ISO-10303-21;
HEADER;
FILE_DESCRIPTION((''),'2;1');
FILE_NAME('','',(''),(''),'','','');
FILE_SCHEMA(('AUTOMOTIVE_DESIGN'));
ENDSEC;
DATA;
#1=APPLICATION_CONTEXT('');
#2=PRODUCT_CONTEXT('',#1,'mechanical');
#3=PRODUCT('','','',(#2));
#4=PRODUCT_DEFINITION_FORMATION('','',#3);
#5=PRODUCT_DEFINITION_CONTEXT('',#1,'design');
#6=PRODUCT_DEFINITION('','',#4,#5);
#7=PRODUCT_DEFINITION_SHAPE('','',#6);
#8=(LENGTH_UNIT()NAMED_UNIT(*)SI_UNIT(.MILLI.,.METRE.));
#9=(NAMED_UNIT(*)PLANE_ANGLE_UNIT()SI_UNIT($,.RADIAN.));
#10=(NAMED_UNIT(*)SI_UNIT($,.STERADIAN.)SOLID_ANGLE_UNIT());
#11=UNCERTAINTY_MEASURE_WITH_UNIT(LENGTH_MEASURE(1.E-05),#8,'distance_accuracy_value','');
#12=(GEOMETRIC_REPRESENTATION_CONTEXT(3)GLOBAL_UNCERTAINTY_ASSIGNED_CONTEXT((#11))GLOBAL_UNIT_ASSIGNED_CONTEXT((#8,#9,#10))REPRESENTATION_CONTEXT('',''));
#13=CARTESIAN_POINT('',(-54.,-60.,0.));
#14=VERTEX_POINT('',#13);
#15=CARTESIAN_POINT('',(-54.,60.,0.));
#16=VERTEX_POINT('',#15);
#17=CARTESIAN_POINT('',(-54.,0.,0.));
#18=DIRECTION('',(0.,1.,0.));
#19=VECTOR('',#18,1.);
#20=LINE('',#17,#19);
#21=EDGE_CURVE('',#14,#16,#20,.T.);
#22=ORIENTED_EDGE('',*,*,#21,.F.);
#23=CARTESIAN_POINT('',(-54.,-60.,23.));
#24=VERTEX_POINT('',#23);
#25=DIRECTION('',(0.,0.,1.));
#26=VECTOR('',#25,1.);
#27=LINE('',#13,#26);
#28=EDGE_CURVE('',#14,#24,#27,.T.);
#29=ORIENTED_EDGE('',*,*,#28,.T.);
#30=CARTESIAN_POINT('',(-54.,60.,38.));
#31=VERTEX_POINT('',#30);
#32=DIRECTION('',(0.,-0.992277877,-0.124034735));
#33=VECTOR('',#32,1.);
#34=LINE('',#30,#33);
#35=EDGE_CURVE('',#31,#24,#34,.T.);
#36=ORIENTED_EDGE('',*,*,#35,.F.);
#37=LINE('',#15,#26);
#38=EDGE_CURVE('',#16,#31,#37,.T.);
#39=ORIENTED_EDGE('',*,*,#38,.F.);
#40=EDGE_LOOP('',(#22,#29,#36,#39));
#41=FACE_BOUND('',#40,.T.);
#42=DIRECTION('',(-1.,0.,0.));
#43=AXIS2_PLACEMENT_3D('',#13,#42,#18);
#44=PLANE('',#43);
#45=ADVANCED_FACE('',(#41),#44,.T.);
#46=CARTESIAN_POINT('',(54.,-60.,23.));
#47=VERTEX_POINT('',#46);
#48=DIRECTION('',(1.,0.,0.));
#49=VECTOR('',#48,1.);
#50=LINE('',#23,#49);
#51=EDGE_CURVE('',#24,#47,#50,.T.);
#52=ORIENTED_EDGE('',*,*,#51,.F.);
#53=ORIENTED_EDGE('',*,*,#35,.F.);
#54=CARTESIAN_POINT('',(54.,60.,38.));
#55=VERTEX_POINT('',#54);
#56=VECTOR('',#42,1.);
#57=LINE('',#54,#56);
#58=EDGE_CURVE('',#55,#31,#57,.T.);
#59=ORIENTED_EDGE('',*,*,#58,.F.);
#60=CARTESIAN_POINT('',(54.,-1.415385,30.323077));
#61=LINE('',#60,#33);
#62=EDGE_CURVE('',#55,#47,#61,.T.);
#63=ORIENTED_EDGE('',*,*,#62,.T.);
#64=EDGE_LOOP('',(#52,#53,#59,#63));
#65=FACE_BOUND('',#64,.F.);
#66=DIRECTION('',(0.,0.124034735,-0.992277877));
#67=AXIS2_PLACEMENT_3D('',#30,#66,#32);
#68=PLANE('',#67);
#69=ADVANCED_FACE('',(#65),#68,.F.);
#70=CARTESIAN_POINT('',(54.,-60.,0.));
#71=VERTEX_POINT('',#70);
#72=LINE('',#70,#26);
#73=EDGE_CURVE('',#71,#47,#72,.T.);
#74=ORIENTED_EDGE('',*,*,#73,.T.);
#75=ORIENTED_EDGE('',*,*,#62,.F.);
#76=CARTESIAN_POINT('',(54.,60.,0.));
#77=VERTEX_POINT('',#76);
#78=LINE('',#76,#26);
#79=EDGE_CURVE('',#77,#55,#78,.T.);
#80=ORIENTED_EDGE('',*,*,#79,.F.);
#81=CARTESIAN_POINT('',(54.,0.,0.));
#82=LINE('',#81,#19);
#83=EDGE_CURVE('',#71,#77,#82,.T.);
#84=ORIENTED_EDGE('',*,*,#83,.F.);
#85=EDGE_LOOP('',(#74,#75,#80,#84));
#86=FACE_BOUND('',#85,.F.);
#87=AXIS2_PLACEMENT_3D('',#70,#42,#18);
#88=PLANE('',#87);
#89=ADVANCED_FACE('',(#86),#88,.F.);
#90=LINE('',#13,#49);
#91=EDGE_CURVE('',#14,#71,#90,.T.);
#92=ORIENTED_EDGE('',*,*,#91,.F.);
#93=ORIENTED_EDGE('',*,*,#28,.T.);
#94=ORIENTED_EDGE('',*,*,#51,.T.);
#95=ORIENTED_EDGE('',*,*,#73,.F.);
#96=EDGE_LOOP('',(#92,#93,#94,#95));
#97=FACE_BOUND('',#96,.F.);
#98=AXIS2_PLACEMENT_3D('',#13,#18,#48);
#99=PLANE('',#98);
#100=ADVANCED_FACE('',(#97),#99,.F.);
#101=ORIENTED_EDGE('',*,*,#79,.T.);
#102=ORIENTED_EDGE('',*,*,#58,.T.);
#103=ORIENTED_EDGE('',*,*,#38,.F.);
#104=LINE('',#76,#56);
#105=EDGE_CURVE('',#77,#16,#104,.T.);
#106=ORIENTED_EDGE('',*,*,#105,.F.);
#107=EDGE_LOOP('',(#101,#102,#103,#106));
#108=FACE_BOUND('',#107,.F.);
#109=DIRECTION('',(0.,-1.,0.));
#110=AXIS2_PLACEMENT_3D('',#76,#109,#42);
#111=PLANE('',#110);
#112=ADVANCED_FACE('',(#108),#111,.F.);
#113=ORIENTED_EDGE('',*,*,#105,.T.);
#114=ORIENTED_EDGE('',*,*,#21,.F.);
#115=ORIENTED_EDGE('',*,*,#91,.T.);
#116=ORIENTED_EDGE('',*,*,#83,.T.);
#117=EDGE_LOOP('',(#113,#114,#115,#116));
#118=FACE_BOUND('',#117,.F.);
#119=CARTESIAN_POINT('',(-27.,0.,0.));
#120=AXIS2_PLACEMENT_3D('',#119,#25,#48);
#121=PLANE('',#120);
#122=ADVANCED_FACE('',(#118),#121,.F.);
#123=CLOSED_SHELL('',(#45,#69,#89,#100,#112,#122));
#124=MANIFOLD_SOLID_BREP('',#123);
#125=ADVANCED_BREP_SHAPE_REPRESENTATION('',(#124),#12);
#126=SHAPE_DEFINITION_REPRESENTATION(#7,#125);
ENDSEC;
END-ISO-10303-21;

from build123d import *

# Parameters (mm, degrees)
F0_W     = 54
F0_H     = 120
F1_DEPTH = 38
F3_DEPTH = 108.001


with BuildPart() as f1:
    # F0 (on Top) → F1 (new body)
    with BuildSketch(Plane.XY):
        with Locations((-27, 0)):
            Rectangle(F0_W, F0_H)
        with Locations((27, 0)):
            Rectangle(F0_W, F0_H)
    extrude(amount=F1_DEPTH)

    # F2 (on face) → F3 (cut, through all)
    with BuildSketch(Plane(origin=(-54, 0, 0), x_dir=(0, -1, 0), z_dir=(-1, 0, 0))):
        Polygon((-60, 38), (60, 23), (60, 38), align=None)
    extrude(amount=-F3_DEPTH, mode=Mode.SUBTRACT)


solid = f1.part
